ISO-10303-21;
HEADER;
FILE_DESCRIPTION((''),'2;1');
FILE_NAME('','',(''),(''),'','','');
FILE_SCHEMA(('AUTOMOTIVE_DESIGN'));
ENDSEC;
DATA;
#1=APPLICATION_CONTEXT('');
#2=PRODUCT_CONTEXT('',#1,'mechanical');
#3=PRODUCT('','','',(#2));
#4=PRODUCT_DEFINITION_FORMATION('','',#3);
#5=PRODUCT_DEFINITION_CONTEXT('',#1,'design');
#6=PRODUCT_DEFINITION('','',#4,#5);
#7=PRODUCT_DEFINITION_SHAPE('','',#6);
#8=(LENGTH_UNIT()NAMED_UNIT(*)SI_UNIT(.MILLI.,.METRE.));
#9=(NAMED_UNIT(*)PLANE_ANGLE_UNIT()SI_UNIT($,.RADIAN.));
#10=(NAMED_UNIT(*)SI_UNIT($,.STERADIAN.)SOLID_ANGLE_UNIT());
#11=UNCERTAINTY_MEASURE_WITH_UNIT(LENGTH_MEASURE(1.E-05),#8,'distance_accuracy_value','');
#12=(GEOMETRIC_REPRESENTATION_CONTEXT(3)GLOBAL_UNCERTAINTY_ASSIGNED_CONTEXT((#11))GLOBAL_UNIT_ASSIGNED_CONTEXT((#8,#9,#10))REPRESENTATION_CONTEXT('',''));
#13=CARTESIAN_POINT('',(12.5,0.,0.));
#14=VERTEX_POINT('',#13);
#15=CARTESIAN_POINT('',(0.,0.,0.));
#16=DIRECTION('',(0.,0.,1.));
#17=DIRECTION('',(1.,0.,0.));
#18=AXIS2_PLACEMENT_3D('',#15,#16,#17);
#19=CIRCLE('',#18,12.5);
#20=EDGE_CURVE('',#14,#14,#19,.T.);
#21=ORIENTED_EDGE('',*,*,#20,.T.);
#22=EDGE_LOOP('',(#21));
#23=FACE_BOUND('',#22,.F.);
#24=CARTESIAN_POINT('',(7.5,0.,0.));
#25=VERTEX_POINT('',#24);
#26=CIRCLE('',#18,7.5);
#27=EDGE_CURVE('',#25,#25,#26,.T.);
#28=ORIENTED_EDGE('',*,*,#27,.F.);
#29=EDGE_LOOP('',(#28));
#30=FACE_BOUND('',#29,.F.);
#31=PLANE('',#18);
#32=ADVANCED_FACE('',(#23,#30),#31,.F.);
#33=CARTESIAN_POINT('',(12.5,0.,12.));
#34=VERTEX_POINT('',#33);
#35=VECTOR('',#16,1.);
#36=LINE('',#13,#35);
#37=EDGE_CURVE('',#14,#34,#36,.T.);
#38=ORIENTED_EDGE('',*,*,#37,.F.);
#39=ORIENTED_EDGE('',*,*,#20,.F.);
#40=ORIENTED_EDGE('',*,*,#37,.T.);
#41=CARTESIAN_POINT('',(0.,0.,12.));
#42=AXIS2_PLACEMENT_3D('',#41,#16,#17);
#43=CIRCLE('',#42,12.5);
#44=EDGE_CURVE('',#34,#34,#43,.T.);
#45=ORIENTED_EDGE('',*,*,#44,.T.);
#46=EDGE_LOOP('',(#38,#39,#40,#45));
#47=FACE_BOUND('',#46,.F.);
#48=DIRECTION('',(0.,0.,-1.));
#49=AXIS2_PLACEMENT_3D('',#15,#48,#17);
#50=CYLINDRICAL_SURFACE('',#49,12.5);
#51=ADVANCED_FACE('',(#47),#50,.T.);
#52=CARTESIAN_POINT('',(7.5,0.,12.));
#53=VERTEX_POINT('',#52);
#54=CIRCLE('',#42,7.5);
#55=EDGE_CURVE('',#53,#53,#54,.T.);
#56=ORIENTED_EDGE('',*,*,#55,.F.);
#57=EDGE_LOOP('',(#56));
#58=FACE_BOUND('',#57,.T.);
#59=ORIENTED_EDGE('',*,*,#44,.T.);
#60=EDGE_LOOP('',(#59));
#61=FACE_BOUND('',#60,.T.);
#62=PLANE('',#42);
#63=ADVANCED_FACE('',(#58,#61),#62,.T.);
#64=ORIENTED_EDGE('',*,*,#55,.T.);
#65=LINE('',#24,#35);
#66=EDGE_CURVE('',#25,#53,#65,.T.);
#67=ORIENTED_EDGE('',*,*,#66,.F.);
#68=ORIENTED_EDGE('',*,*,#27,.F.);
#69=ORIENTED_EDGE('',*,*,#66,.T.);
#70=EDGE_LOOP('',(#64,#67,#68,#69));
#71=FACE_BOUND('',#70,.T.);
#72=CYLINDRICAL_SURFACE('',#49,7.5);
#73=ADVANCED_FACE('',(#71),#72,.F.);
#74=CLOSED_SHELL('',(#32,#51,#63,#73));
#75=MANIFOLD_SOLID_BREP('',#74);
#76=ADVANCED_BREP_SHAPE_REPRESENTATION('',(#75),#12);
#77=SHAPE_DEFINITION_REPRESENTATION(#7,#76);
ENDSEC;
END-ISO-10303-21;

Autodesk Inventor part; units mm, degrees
ref_plane "YZ Plane" through (0, 0, 0) normal (1, 0, 0) x (0, 1, 0)
ref_plane "XZ Plane" through (0, 0, 0) normal (0, 1, 0) x (-1, 0, 0)
ref_plane "XY Plane" through (0, 0, 0) normal (0, 0, 1) x (1, 0, 0)
sketch "Sketch1" plane through (0, 0, 0) normal (0, 0, 1) x (1, 0, 0)
  circle A0 centre (0, 0) radius 7.5
  circle A1 centre (0, 0) radius 12.5
  dimension "d0" = 15
  dimension "d1" = 25
extrude "Extrusion1" add sketch "Sketch1" along normal blind 12
properties part number "Shaft Collar"
